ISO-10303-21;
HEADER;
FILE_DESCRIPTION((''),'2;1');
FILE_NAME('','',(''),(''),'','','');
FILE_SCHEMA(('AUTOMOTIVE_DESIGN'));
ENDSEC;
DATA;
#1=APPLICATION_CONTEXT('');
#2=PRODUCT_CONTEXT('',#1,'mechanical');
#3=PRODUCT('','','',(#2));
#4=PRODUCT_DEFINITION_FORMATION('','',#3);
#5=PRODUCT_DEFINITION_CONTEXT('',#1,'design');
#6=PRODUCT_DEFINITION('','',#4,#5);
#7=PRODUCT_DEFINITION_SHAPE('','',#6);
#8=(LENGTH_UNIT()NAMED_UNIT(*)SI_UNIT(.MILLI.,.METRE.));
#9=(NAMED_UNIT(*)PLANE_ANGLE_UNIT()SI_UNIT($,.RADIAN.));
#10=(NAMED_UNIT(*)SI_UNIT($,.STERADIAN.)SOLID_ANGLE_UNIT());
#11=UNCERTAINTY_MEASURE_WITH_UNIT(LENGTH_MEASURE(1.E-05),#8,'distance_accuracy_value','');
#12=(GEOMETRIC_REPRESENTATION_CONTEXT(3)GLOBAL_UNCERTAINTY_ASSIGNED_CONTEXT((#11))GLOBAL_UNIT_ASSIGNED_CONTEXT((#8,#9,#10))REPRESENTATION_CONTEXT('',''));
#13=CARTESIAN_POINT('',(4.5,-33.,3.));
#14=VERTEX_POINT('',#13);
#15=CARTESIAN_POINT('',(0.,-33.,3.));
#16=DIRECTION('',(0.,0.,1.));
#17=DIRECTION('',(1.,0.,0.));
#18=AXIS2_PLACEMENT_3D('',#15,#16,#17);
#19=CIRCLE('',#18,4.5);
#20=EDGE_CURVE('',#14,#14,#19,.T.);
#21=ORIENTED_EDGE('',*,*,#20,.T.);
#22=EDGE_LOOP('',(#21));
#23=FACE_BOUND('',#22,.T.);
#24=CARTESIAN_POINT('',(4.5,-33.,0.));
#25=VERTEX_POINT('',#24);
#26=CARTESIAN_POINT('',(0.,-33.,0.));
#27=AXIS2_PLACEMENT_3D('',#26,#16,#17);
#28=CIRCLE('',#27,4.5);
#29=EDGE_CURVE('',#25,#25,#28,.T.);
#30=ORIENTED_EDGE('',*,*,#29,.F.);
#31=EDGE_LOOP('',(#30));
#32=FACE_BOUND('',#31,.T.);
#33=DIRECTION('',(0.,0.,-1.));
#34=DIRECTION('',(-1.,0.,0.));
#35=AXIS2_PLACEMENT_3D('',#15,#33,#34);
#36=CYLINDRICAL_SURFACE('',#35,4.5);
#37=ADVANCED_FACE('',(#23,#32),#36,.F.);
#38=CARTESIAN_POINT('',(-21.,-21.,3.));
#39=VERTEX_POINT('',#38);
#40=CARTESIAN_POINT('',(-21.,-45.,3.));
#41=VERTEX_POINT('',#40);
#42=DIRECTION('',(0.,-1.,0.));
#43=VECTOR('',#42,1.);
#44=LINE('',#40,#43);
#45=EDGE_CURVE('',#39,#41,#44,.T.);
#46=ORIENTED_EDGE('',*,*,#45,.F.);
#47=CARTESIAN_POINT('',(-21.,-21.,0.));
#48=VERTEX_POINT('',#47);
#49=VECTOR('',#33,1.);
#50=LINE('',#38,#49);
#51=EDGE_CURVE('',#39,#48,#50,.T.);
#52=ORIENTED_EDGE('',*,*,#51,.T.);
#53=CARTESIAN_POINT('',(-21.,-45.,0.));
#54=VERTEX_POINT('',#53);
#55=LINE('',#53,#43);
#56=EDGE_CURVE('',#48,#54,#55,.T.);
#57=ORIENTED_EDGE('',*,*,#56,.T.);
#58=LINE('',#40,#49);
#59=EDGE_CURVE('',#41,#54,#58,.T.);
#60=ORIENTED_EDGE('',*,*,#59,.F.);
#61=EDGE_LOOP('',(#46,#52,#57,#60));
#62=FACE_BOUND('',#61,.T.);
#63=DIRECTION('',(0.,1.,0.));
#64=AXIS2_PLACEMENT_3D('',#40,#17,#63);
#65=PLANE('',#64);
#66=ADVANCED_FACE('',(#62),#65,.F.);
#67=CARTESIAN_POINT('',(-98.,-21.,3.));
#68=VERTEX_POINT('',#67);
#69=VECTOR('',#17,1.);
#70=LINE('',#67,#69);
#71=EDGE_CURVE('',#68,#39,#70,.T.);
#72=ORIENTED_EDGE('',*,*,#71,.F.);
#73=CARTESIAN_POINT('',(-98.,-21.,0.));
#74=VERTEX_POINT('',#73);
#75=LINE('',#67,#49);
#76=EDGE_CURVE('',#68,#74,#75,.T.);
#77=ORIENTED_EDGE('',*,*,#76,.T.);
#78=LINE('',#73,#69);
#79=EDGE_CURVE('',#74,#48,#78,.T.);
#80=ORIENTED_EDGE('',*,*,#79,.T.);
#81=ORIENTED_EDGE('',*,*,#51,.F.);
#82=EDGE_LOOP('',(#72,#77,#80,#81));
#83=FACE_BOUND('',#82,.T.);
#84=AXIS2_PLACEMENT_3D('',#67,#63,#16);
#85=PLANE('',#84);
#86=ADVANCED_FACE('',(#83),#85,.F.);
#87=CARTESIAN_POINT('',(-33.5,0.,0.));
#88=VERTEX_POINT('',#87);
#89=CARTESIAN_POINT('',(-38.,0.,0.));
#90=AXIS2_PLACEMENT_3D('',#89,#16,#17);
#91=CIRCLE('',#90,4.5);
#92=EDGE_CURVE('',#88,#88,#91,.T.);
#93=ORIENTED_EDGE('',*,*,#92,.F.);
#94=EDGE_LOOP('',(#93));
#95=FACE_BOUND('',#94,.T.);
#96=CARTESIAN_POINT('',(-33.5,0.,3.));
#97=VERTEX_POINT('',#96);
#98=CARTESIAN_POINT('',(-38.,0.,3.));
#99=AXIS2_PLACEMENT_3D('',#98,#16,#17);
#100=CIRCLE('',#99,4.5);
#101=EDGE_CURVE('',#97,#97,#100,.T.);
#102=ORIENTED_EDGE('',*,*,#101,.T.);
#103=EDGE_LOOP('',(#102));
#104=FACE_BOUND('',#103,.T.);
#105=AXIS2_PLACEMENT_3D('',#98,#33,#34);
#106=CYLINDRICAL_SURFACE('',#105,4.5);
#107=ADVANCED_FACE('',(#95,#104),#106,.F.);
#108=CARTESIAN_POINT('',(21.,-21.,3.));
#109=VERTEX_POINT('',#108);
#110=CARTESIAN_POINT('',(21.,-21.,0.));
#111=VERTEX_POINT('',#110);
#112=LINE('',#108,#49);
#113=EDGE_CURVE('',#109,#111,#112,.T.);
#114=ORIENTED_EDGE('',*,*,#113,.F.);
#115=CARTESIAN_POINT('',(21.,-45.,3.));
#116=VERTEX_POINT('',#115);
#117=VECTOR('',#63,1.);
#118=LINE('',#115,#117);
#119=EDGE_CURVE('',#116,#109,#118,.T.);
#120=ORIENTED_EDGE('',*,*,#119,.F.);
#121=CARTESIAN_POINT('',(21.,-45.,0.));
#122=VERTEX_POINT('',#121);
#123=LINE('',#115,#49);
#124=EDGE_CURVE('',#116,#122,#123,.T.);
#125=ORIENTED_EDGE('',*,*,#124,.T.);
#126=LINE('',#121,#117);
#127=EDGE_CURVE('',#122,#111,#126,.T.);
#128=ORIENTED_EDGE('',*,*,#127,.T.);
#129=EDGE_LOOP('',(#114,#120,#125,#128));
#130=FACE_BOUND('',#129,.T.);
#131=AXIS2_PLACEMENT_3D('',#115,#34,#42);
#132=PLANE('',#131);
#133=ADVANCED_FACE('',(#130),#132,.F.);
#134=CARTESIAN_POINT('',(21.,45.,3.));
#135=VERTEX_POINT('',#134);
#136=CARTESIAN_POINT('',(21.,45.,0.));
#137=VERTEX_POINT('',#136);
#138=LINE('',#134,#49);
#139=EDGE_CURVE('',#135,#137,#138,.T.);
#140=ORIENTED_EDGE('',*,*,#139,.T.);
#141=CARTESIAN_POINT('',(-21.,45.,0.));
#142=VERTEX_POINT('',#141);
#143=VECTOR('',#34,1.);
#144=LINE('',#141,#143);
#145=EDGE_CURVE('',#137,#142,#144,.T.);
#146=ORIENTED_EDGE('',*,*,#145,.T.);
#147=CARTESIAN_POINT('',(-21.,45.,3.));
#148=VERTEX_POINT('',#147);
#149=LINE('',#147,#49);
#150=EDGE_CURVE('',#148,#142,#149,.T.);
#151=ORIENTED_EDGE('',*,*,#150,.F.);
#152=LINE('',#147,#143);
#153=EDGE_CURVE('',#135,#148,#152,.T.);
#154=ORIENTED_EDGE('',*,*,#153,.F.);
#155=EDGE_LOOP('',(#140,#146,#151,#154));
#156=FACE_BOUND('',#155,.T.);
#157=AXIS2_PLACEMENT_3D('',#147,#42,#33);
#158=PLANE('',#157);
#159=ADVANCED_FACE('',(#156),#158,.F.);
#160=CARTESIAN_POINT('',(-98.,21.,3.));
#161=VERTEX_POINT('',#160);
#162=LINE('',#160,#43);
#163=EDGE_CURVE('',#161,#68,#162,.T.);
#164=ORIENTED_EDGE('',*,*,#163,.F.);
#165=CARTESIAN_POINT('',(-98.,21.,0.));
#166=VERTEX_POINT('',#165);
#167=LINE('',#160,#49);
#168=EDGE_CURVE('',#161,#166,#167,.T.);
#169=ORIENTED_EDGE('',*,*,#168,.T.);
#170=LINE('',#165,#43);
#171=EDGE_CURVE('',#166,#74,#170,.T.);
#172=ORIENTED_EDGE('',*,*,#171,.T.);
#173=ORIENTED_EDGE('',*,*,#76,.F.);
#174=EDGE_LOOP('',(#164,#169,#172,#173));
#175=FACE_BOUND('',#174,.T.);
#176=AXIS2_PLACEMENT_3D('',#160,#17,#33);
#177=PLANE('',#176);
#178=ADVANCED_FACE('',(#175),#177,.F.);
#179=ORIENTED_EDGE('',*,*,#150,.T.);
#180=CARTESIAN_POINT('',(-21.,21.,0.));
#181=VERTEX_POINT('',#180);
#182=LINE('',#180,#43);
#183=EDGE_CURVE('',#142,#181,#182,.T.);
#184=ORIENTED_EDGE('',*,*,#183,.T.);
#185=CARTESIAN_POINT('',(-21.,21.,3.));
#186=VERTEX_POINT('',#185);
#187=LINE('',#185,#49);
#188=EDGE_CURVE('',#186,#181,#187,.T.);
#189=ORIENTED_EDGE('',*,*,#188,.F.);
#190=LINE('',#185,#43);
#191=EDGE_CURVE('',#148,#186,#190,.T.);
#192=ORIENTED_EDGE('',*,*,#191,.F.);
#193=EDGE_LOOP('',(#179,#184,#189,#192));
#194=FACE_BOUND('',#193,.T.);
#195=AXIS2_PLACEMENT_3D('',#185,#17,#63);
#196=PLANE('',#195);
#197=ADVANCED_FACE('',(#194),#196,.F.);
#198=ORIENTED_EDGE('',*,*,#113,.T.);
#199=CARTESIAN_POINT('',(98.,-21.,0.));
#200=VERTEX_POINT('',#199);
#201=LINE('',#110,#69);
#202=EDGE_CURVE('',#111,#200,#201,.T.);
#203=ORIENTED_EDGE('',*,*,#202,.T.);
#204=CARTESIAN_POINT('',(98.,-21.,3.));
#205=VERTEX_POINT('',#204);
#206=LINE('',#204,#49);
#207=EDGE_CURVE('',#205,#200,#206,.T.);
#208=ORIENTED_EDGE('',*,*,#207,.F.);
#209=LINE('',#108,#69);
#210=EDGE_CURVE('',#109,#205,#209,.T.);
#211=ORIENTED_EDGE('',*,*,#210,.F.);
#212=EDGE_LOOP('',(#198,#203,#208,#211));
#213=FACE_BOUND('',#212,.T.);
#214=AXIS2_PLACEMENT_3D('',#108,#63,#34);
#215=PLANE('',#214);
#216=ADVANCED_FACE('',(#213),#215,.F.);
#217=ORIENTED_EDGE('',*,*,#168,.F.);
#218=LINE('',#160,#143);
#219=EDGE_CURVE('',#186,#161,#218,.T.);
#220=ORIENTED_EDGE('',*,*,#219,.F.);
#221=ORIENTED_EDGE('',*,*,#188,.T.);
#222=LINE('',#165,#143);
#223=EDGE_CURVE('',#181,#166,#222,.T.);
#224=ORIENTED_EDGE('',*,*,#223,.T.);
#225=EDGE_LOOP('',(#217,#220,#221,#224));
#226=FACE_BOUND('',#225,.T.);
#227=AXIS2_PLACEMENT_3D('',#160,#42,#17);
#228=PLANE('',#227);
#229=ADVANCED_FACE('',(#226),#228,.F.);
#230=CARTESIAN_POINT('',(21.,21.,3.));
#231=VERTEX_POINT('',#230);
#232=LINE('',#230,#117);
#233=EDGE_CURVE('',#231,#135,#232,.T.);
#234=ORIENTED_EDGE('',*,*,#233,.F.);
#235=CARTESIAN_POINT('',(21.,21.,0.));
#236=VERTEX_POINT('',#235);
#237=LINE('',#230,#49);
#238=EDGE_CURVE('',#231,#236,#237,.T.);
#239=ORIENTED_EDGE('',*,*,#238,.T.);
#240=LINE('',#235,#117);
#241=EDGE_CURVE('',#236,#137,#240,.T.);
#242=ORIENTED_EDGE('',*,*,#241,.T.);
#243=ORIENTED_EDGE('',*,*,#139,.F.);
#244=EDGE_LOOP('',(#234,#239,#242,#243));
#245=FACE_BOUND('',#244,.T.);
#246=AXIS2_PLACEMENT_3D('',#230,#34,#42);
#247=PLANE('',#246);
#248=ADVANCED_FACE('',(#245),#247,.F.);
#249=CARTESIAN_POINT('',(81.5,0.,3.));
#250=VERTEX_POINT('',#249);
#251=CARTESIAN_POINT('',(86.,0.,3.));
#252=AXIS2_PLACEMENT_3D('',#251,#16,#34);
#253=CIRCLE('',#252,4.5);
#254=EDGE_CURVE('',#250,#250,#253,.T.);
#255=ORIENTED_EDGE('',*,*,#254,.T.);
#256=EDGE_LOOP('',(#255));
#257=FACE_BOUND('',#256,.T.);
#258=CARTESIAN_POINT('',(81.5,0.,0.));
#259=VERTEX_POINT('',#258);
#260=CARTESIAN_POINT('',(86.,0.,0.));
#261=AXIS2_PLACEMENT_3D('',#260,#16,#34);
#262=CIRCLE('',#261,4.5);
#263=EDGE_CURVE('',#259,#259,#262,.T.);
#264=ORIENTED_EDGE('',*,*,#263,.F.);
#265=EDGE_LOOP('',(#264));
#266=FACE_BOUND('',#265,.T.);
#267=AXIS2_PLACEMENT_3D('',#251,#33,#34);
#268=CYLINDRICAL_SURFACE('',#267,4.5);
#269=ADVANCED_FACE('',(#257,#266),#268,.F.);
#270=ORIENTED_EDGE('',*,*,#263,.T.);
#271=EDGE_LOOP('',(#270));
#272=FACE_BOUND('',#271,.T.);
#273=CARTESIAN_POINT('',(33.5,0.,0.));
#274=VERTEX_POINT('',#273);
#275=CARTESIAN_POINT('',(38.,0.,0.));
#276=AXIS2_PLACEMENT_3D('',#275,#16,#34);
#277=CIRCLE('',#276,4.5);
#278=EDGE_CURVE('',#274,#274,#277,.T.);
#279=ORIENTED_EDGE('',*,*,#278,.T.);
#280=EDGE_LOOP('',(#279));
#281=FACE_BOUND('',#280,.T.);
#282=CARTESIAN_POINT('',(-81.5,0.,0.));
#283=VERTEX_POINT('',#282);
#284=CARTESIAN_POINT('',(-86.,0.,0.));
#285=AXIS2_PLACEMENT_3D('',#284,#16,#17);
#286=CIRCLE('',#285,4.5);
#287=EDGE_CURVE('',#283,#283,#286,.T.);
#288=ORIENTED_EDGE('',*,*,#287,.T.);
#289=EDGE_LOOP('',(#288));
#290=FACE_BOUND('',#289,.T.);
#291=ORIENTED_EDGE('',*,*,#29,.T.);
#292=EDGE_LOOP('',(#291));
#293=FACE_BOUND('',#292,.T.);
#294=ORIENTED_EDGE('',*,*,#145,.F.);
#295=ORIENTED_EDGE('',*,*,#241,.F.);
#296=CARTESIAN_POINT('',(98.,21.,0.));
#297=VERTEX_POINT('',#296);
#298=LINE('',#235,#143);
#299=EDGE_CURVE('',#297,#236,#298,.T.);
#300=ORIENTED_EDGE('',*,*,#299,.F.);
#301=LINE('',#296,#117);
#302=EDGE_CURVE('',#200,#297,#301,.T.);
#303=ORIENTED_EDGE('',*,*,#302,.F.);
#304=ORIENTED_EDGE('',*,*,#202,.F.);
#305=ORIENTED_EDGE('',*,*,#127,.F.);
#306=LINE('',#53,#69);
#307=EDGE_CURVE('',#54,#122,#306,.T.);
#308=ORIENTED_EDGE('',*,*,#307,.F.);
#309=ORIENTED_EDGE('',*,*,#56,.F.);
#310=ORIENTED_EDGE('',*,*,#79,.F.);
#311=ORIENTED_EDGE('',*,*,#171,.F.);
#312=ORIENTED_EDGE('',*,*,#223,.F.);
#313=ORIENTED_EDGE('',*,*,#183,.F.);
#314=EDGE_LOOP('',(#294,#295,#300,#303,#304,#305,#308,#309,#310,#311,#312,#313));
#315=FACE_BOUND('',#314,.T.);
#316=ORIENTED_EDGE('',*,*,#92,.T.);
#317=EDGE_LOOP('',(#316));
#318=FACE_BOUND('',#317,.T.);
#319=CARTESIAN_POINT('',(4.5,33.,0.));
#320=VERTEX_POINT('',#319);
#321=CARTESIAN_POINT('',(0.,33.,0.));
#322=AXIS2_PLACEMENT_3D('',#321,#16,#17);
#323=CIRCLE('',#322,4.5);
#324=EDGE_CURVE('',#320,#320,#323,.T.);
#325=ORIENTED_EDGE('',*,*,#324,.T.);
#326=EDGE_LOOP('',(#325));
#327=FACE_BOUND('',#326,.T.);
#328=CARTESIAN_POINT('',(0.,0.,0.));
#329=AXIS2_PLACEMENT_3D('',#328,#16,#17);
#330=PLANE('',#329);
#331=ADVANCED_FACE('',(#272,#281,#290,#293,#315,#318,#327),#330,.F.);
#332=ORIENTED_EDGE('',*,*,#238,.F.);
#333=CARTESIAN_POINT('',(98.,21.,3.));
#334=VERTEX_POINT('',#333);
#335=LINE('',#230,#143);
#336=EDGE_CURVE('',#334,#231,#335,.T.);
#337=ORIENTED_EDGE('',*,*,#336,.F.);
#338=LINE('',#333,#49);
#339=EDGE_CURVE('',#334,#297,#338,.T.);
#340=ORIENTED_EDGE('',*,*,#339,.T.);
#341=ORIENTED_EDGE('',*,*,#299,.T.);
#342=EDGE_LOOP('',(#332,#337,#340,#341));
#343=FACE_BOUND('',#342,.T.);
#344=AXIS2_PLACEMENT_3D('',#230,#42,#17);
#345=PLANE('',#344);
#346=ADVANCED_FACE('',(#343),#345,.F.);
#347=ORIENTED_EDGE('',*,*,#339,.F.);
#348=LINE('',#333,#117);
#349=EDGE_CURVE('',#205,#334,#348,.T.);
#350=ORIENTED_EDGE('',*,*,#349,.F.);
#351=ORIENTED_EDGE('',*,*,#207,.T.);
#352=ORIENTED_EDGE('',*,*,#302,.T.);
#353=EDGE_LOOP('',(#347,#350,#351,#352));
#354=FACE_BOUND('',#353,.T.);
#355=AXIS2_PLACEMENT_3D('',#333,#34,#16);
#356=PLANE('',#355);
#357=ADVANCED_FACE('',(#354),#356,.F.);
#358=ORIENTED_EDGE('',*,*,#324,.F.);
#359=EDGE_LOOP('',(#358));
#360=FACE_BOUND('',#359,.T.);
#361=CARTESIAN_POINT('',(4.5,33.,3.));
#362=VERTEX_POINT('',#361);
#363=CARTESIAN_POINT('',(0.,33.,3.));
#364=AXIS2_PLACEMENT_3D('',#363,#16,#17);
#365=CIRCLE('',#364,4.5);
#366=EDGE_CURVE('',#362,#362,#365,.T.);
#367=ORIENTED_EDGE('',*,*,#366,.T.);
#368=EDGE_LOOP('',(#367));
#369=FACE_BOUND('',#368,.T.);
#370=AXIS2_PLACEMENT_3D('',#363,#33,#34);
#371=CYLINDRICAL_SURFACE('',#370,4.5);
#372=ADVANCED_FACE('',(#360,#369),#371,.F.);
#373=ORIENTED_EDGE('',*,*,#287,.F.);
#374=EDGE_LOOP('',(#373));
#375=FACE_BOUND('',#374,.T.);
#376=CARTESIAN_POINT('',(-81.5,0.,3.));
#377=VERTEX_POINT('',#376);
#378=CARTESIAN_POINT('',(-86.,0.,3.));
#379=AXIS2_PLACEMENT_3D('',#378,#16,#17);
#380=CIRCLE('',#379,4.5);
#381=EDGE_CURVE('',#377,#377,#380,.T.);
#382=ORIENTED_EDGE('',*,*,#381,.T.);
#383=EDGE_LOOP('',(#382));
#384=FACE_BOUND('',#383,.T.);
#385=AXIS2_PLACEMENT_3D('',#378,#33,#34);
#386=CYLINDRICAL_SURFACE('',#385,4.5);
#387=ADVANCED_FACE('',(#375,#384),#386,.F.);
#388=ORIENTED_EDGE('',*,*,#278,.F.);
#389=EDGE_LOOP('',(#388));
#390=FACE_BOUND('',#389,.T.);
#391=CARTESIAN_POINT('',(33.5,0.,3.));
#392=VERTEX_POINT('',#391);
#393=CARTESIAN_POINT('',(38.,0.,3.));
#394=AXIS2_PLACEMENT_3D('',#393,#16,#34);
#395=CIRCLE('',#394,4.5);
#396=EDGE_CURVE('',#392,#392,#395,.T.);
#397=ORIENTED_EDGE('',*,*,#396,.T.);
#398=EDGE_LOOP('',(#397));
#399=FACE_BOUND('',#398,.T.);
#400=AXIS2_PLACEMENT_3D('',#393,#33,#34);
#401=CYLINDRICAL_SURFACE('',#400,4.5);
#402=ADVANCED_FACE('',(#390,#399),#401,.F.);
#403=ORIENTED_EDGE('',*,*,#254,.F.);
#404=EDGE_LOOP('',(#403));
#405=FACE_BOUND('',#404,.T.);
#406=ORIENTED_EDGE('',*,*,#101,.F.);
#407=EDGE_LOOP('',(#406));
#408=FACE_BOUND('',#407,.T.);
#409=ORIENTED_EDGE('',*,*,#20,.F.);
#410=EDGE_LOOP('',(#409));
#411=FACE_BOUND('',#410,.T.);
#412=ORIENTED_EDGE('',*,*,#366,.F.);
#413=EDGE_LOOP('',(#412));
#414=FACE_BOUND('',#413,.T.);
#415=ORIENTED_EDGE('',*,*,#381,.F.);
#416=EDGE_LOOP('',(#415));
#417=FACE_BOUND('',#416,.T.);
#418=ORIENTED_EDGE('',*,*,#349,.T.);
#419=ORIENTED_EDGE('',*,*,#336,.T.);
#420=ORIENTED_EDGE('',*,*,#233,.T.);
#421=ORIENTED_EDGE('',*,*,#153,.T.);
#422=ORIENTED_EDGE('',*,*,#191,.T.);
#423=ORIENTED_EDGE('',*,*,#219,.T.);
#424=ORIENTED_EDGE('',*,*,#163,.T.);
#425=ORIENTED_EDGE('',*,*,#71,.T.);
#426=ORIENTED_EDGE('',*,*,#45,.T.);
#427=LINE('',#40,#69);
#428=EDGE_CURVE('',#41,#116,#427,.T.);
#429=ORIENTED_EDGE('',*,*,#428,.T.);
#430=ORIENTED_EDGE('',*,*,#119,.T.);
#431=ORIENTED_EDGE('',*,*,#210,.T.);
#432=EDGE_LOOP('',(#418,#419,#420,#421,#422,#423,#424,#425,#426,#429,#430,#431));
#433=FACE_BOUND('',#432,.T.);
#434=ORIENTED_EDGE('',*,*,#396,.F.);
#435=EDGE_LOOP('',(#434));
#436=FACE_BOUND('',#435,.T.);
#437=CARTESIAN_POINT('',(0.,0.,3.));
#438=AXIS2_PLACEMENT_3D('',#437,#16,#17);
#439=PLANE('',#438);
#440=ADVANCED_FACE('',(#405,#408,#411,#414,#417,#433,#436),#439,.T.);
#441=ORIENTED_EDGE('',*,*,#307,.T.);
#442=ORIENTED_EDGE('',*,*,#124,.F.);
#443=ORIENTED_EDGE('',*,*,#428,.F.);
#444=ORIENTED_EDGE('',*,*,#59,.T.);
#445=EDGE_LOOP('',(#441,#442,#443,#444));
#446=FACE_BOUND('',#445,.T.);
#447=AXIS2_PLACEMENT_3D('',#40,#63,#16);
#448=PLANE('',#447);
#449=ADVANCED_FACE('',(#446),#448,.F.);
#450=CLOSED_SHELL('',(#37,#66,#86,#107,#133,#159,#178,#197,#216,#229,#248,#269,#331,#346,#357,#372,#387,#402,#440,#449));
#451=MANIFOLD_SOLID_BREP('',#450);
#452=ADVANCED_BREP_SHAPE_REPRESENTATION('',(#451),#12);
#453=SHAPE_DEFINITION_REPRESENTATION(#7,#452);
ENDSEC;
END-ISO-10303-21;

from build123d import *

# Parameters (mm, degrees)
SKETCH_1_R      = 4.5
EXTRUDE_1_DEPTH = 3


with BuildPart() as part:
    # Эскиз1 → Бобышка-Вытянуть1 (new body)
    with BuildSketch(Plane.XY):
        Polygon((21, -21), (98, -21), (98, 21), (21, 21), (21, 45), (-21, 45), (-21, 21), (-98, 21), (-98, -21), (-21, -21), (-21, -45), (21, -45), align=None)
        with Locations((0, 33)):
            Circle(SKETCH_1_R, mode=Mode.SUBTRACT)
        with Locations((0, -33)):
            Circle(SKETCH_1_R, mode=Mode.SUBTRACT)
        with Locations((-86, 0)):
            Circle(SKETCH_1_R, mode=Mode.SUBTRACT)
        with Locations((-38, 0)):
            Circle(SKETCH_1_R, mode=Mode.SUBTRACT)
        with Locations(Location((38, 0, 0), (0, 0, 180))):  # turned: the seam where the file's is
            Circle(SKETCH_1_R, mode=Mode.SUBTRACT)
        with Locations(Location((86, 0, 0), (0, 0, 180))):  # turned: the seam where the file's is
            Circle(SKETCH_1_R, mode=Mode.SUBTRACT)
    extrude(amount=EXTRUDE_1_DEPTH)


solid = part.part
